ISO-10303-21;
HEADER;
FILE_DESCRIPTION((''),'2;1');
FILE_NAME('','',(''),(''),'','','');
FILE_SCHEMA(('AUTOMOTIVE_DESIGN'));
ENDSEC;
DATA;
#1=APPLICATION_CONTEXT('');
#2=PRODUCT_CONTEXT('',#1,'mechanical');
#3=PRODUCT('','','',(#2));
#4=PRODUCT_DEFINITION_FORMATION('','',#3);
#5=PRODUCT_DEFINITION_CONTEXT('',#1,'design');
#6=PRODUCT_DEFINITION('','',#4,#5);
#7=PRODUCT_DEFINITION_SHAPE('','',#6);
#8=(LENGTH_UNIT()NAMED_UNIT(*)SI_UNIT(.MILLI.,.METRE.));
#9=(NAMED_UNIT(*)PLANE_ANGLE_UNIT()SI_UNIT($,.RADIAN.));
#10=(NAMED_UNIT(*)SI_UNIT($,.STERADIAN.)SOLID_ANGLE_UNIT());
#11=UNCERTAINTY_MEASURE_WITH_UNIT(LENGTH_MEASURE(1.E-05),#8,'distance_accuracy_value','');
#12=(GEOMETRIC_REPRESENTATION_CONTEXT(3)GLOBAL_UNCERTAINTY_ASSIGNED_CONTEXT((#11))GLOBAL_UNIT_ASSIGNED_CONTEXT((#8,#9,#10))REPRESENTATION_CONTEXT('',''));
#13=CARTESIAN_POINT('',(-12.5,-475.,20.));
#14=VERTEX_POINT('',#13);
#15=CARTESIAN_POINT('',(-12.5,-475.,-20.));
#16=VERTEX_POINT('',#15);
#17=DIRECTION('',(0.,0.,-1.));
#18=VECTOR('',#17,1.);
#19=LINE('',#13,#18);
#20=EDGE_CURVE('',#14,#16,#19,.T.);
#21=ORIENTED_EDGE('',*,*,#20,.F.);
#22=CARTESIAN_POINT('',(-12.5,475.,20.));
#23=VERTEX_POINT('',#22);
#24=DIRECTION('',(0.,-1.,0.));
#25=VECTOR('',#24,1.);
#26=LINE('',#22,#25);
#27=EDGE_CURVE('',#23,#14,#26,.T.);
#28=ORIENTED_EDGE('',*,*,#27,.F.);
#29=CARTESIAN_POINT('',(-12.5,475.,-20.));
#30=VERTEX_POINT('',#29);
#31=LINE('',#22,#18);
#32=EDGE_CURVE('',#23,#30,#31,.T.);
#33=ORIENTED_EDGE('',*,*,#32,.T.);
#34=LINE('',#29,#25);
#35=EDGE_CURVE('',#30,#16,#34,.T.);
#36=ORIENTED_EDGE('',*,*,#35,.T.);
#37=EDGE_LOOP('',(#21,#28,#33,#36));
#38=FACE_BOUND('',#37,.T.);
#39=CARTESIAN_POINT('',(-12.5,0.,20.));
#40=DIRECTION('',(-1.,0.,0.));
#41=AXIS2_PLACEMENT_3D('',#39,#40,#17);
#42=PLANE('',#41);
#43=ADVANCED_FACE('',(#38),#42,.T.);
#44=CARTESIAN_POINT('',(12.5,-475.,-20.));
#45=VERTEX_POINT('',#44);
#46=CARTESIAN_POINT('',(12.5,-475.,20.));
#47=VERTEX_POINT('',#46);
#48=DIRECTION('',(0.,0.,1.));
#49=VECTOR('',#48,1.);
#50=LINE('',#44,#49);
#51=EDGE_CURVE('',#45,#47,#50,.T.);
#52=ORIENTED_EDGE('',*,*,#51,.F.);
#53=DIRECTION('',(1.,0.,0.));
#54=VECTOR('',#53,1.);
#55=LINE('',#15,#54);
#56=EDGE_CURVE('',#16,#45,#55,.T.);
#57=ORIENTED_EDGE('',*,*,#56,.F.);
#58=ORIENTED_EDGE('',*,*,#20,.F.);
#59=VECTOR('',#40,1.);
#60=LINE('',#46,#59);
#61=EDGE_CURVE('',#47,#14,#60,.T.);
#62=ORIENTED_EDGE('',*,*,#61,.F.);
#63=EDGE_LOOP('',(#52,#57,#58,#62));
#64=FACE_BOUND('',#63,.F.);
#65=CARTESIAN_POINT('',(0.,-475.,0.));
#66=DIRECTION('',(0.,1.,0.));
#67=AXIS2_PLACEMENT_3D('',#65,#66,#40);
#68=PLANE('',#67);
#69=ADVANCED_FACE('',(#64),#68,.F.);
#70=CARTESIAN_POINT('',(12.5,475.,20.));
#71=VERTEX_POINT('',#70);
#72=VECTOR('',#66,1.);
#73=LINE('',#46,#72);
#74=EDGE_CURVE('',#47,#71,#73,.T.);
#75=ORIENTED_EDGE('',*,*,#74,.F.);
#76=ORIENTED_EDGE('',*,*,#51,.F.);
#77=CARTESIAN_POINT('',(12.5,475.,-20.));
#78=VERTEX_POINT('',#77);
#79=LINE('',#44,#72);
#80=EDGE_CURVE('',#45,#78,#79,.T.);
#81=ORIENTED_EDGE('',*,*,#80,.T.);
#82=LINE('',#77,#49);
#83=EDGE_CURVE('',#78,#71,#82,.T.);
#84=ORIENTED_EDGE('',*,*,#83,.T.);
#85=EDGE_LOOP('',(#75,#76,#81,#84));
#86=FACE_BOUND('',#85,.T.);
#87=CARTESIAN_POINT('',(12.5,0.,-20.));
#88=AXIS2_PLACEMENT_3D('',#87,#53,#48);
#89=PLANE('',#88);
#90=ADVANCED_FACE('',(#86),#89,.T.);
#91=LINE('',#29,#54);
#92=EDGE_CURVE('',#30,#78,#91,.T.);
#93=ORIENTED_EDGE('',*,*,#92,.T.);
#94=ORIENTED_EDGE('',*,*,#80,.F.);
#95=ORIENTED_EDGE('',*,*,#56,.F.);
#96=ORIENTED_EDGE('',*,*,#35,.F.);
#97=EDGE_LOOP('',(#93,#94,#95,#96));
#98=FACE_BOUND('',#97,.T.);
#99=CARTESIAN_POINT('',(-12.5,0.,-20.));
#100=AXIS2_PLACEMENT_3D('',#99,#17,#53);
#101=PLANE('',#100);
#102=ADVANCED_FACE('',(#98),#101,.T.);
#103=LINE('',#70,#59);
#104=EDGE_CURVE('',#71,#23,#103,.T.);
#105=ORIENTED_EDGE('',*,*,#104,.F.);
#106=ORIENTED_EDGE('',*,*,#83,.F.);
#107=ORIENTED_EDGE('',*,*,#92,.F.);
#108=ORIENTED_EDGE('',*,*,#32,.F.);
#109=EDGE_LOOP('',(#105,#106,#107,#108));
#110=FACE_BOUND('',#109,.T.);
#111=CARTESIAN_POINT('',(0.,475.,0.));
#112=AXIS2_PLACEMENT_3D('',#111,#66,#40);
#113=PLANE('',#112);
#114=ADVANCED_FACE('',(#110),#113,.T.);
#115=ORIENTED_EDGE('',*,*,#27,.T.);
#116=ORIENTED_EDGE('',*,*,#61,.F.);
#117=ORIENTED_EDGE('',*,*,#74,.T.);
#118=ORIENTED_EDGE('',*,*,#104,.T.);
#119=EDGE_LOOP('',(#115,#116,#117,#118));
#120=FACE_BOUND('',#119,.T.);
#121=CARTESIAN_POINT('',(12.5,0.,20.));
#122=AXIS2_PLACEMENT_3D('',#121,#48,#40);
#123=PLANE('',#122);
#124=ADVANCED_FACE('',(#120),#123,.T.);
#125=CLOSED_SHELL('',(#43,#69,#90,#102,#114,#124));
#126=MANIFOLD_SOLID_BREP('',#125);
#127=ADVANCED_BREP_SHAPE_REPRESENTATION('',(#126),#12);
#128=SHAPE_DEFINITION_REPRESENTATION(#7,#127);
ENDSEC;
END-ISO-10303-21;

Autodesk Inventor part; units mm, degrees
ref_plane "YZ Plane" through (0, 0, 0) normal (1, 0, 0) x (0, 1, 0)
ref_plane "XZ Plane" through (0, 0, 0) normal (0, 1, 0) x (-1, 0, 0)
ref_plane "XY Plane" through (0, 0, 0) normal (0, 0, 1) x (1, 0, 0)
sketch "Esboço1" plane through (0, 0, 0) normal (0, 1, 0) x (-1, 0, 0)
  line L0 (-12.5, 20) -> (12.5, 20)
  line L1 (12.5, 20) -> (12.5, -20)
  line L2 (12.5, -20) -> (-12.5, -20)
  line L3 (-12.5, -20) -> (-12.5, 20)
  line L4 (-12.5, 20) -> (12.5, -20) construction
  line L5 (12.5, 20) -> (-12.5, -20) construction
  point P0 (0, 0)
  dimension "lenght" = 25
  dimension "widht" = 40
extrude "Extrusão1" add sketch "Esboço1" along normal mid plane 950
equation "\"lenght\" = RIP_L"
equation "\"widht\" = RIP_H"
equation "\"d2\" = LENGHT - 2 * RIP_L"
equation "\"RIP_L\" = 25"
equation "\"RIP_H\" = 40"
equation "\"LENGHT\" = 1000"
properties part number "feet" material "Madeira"
